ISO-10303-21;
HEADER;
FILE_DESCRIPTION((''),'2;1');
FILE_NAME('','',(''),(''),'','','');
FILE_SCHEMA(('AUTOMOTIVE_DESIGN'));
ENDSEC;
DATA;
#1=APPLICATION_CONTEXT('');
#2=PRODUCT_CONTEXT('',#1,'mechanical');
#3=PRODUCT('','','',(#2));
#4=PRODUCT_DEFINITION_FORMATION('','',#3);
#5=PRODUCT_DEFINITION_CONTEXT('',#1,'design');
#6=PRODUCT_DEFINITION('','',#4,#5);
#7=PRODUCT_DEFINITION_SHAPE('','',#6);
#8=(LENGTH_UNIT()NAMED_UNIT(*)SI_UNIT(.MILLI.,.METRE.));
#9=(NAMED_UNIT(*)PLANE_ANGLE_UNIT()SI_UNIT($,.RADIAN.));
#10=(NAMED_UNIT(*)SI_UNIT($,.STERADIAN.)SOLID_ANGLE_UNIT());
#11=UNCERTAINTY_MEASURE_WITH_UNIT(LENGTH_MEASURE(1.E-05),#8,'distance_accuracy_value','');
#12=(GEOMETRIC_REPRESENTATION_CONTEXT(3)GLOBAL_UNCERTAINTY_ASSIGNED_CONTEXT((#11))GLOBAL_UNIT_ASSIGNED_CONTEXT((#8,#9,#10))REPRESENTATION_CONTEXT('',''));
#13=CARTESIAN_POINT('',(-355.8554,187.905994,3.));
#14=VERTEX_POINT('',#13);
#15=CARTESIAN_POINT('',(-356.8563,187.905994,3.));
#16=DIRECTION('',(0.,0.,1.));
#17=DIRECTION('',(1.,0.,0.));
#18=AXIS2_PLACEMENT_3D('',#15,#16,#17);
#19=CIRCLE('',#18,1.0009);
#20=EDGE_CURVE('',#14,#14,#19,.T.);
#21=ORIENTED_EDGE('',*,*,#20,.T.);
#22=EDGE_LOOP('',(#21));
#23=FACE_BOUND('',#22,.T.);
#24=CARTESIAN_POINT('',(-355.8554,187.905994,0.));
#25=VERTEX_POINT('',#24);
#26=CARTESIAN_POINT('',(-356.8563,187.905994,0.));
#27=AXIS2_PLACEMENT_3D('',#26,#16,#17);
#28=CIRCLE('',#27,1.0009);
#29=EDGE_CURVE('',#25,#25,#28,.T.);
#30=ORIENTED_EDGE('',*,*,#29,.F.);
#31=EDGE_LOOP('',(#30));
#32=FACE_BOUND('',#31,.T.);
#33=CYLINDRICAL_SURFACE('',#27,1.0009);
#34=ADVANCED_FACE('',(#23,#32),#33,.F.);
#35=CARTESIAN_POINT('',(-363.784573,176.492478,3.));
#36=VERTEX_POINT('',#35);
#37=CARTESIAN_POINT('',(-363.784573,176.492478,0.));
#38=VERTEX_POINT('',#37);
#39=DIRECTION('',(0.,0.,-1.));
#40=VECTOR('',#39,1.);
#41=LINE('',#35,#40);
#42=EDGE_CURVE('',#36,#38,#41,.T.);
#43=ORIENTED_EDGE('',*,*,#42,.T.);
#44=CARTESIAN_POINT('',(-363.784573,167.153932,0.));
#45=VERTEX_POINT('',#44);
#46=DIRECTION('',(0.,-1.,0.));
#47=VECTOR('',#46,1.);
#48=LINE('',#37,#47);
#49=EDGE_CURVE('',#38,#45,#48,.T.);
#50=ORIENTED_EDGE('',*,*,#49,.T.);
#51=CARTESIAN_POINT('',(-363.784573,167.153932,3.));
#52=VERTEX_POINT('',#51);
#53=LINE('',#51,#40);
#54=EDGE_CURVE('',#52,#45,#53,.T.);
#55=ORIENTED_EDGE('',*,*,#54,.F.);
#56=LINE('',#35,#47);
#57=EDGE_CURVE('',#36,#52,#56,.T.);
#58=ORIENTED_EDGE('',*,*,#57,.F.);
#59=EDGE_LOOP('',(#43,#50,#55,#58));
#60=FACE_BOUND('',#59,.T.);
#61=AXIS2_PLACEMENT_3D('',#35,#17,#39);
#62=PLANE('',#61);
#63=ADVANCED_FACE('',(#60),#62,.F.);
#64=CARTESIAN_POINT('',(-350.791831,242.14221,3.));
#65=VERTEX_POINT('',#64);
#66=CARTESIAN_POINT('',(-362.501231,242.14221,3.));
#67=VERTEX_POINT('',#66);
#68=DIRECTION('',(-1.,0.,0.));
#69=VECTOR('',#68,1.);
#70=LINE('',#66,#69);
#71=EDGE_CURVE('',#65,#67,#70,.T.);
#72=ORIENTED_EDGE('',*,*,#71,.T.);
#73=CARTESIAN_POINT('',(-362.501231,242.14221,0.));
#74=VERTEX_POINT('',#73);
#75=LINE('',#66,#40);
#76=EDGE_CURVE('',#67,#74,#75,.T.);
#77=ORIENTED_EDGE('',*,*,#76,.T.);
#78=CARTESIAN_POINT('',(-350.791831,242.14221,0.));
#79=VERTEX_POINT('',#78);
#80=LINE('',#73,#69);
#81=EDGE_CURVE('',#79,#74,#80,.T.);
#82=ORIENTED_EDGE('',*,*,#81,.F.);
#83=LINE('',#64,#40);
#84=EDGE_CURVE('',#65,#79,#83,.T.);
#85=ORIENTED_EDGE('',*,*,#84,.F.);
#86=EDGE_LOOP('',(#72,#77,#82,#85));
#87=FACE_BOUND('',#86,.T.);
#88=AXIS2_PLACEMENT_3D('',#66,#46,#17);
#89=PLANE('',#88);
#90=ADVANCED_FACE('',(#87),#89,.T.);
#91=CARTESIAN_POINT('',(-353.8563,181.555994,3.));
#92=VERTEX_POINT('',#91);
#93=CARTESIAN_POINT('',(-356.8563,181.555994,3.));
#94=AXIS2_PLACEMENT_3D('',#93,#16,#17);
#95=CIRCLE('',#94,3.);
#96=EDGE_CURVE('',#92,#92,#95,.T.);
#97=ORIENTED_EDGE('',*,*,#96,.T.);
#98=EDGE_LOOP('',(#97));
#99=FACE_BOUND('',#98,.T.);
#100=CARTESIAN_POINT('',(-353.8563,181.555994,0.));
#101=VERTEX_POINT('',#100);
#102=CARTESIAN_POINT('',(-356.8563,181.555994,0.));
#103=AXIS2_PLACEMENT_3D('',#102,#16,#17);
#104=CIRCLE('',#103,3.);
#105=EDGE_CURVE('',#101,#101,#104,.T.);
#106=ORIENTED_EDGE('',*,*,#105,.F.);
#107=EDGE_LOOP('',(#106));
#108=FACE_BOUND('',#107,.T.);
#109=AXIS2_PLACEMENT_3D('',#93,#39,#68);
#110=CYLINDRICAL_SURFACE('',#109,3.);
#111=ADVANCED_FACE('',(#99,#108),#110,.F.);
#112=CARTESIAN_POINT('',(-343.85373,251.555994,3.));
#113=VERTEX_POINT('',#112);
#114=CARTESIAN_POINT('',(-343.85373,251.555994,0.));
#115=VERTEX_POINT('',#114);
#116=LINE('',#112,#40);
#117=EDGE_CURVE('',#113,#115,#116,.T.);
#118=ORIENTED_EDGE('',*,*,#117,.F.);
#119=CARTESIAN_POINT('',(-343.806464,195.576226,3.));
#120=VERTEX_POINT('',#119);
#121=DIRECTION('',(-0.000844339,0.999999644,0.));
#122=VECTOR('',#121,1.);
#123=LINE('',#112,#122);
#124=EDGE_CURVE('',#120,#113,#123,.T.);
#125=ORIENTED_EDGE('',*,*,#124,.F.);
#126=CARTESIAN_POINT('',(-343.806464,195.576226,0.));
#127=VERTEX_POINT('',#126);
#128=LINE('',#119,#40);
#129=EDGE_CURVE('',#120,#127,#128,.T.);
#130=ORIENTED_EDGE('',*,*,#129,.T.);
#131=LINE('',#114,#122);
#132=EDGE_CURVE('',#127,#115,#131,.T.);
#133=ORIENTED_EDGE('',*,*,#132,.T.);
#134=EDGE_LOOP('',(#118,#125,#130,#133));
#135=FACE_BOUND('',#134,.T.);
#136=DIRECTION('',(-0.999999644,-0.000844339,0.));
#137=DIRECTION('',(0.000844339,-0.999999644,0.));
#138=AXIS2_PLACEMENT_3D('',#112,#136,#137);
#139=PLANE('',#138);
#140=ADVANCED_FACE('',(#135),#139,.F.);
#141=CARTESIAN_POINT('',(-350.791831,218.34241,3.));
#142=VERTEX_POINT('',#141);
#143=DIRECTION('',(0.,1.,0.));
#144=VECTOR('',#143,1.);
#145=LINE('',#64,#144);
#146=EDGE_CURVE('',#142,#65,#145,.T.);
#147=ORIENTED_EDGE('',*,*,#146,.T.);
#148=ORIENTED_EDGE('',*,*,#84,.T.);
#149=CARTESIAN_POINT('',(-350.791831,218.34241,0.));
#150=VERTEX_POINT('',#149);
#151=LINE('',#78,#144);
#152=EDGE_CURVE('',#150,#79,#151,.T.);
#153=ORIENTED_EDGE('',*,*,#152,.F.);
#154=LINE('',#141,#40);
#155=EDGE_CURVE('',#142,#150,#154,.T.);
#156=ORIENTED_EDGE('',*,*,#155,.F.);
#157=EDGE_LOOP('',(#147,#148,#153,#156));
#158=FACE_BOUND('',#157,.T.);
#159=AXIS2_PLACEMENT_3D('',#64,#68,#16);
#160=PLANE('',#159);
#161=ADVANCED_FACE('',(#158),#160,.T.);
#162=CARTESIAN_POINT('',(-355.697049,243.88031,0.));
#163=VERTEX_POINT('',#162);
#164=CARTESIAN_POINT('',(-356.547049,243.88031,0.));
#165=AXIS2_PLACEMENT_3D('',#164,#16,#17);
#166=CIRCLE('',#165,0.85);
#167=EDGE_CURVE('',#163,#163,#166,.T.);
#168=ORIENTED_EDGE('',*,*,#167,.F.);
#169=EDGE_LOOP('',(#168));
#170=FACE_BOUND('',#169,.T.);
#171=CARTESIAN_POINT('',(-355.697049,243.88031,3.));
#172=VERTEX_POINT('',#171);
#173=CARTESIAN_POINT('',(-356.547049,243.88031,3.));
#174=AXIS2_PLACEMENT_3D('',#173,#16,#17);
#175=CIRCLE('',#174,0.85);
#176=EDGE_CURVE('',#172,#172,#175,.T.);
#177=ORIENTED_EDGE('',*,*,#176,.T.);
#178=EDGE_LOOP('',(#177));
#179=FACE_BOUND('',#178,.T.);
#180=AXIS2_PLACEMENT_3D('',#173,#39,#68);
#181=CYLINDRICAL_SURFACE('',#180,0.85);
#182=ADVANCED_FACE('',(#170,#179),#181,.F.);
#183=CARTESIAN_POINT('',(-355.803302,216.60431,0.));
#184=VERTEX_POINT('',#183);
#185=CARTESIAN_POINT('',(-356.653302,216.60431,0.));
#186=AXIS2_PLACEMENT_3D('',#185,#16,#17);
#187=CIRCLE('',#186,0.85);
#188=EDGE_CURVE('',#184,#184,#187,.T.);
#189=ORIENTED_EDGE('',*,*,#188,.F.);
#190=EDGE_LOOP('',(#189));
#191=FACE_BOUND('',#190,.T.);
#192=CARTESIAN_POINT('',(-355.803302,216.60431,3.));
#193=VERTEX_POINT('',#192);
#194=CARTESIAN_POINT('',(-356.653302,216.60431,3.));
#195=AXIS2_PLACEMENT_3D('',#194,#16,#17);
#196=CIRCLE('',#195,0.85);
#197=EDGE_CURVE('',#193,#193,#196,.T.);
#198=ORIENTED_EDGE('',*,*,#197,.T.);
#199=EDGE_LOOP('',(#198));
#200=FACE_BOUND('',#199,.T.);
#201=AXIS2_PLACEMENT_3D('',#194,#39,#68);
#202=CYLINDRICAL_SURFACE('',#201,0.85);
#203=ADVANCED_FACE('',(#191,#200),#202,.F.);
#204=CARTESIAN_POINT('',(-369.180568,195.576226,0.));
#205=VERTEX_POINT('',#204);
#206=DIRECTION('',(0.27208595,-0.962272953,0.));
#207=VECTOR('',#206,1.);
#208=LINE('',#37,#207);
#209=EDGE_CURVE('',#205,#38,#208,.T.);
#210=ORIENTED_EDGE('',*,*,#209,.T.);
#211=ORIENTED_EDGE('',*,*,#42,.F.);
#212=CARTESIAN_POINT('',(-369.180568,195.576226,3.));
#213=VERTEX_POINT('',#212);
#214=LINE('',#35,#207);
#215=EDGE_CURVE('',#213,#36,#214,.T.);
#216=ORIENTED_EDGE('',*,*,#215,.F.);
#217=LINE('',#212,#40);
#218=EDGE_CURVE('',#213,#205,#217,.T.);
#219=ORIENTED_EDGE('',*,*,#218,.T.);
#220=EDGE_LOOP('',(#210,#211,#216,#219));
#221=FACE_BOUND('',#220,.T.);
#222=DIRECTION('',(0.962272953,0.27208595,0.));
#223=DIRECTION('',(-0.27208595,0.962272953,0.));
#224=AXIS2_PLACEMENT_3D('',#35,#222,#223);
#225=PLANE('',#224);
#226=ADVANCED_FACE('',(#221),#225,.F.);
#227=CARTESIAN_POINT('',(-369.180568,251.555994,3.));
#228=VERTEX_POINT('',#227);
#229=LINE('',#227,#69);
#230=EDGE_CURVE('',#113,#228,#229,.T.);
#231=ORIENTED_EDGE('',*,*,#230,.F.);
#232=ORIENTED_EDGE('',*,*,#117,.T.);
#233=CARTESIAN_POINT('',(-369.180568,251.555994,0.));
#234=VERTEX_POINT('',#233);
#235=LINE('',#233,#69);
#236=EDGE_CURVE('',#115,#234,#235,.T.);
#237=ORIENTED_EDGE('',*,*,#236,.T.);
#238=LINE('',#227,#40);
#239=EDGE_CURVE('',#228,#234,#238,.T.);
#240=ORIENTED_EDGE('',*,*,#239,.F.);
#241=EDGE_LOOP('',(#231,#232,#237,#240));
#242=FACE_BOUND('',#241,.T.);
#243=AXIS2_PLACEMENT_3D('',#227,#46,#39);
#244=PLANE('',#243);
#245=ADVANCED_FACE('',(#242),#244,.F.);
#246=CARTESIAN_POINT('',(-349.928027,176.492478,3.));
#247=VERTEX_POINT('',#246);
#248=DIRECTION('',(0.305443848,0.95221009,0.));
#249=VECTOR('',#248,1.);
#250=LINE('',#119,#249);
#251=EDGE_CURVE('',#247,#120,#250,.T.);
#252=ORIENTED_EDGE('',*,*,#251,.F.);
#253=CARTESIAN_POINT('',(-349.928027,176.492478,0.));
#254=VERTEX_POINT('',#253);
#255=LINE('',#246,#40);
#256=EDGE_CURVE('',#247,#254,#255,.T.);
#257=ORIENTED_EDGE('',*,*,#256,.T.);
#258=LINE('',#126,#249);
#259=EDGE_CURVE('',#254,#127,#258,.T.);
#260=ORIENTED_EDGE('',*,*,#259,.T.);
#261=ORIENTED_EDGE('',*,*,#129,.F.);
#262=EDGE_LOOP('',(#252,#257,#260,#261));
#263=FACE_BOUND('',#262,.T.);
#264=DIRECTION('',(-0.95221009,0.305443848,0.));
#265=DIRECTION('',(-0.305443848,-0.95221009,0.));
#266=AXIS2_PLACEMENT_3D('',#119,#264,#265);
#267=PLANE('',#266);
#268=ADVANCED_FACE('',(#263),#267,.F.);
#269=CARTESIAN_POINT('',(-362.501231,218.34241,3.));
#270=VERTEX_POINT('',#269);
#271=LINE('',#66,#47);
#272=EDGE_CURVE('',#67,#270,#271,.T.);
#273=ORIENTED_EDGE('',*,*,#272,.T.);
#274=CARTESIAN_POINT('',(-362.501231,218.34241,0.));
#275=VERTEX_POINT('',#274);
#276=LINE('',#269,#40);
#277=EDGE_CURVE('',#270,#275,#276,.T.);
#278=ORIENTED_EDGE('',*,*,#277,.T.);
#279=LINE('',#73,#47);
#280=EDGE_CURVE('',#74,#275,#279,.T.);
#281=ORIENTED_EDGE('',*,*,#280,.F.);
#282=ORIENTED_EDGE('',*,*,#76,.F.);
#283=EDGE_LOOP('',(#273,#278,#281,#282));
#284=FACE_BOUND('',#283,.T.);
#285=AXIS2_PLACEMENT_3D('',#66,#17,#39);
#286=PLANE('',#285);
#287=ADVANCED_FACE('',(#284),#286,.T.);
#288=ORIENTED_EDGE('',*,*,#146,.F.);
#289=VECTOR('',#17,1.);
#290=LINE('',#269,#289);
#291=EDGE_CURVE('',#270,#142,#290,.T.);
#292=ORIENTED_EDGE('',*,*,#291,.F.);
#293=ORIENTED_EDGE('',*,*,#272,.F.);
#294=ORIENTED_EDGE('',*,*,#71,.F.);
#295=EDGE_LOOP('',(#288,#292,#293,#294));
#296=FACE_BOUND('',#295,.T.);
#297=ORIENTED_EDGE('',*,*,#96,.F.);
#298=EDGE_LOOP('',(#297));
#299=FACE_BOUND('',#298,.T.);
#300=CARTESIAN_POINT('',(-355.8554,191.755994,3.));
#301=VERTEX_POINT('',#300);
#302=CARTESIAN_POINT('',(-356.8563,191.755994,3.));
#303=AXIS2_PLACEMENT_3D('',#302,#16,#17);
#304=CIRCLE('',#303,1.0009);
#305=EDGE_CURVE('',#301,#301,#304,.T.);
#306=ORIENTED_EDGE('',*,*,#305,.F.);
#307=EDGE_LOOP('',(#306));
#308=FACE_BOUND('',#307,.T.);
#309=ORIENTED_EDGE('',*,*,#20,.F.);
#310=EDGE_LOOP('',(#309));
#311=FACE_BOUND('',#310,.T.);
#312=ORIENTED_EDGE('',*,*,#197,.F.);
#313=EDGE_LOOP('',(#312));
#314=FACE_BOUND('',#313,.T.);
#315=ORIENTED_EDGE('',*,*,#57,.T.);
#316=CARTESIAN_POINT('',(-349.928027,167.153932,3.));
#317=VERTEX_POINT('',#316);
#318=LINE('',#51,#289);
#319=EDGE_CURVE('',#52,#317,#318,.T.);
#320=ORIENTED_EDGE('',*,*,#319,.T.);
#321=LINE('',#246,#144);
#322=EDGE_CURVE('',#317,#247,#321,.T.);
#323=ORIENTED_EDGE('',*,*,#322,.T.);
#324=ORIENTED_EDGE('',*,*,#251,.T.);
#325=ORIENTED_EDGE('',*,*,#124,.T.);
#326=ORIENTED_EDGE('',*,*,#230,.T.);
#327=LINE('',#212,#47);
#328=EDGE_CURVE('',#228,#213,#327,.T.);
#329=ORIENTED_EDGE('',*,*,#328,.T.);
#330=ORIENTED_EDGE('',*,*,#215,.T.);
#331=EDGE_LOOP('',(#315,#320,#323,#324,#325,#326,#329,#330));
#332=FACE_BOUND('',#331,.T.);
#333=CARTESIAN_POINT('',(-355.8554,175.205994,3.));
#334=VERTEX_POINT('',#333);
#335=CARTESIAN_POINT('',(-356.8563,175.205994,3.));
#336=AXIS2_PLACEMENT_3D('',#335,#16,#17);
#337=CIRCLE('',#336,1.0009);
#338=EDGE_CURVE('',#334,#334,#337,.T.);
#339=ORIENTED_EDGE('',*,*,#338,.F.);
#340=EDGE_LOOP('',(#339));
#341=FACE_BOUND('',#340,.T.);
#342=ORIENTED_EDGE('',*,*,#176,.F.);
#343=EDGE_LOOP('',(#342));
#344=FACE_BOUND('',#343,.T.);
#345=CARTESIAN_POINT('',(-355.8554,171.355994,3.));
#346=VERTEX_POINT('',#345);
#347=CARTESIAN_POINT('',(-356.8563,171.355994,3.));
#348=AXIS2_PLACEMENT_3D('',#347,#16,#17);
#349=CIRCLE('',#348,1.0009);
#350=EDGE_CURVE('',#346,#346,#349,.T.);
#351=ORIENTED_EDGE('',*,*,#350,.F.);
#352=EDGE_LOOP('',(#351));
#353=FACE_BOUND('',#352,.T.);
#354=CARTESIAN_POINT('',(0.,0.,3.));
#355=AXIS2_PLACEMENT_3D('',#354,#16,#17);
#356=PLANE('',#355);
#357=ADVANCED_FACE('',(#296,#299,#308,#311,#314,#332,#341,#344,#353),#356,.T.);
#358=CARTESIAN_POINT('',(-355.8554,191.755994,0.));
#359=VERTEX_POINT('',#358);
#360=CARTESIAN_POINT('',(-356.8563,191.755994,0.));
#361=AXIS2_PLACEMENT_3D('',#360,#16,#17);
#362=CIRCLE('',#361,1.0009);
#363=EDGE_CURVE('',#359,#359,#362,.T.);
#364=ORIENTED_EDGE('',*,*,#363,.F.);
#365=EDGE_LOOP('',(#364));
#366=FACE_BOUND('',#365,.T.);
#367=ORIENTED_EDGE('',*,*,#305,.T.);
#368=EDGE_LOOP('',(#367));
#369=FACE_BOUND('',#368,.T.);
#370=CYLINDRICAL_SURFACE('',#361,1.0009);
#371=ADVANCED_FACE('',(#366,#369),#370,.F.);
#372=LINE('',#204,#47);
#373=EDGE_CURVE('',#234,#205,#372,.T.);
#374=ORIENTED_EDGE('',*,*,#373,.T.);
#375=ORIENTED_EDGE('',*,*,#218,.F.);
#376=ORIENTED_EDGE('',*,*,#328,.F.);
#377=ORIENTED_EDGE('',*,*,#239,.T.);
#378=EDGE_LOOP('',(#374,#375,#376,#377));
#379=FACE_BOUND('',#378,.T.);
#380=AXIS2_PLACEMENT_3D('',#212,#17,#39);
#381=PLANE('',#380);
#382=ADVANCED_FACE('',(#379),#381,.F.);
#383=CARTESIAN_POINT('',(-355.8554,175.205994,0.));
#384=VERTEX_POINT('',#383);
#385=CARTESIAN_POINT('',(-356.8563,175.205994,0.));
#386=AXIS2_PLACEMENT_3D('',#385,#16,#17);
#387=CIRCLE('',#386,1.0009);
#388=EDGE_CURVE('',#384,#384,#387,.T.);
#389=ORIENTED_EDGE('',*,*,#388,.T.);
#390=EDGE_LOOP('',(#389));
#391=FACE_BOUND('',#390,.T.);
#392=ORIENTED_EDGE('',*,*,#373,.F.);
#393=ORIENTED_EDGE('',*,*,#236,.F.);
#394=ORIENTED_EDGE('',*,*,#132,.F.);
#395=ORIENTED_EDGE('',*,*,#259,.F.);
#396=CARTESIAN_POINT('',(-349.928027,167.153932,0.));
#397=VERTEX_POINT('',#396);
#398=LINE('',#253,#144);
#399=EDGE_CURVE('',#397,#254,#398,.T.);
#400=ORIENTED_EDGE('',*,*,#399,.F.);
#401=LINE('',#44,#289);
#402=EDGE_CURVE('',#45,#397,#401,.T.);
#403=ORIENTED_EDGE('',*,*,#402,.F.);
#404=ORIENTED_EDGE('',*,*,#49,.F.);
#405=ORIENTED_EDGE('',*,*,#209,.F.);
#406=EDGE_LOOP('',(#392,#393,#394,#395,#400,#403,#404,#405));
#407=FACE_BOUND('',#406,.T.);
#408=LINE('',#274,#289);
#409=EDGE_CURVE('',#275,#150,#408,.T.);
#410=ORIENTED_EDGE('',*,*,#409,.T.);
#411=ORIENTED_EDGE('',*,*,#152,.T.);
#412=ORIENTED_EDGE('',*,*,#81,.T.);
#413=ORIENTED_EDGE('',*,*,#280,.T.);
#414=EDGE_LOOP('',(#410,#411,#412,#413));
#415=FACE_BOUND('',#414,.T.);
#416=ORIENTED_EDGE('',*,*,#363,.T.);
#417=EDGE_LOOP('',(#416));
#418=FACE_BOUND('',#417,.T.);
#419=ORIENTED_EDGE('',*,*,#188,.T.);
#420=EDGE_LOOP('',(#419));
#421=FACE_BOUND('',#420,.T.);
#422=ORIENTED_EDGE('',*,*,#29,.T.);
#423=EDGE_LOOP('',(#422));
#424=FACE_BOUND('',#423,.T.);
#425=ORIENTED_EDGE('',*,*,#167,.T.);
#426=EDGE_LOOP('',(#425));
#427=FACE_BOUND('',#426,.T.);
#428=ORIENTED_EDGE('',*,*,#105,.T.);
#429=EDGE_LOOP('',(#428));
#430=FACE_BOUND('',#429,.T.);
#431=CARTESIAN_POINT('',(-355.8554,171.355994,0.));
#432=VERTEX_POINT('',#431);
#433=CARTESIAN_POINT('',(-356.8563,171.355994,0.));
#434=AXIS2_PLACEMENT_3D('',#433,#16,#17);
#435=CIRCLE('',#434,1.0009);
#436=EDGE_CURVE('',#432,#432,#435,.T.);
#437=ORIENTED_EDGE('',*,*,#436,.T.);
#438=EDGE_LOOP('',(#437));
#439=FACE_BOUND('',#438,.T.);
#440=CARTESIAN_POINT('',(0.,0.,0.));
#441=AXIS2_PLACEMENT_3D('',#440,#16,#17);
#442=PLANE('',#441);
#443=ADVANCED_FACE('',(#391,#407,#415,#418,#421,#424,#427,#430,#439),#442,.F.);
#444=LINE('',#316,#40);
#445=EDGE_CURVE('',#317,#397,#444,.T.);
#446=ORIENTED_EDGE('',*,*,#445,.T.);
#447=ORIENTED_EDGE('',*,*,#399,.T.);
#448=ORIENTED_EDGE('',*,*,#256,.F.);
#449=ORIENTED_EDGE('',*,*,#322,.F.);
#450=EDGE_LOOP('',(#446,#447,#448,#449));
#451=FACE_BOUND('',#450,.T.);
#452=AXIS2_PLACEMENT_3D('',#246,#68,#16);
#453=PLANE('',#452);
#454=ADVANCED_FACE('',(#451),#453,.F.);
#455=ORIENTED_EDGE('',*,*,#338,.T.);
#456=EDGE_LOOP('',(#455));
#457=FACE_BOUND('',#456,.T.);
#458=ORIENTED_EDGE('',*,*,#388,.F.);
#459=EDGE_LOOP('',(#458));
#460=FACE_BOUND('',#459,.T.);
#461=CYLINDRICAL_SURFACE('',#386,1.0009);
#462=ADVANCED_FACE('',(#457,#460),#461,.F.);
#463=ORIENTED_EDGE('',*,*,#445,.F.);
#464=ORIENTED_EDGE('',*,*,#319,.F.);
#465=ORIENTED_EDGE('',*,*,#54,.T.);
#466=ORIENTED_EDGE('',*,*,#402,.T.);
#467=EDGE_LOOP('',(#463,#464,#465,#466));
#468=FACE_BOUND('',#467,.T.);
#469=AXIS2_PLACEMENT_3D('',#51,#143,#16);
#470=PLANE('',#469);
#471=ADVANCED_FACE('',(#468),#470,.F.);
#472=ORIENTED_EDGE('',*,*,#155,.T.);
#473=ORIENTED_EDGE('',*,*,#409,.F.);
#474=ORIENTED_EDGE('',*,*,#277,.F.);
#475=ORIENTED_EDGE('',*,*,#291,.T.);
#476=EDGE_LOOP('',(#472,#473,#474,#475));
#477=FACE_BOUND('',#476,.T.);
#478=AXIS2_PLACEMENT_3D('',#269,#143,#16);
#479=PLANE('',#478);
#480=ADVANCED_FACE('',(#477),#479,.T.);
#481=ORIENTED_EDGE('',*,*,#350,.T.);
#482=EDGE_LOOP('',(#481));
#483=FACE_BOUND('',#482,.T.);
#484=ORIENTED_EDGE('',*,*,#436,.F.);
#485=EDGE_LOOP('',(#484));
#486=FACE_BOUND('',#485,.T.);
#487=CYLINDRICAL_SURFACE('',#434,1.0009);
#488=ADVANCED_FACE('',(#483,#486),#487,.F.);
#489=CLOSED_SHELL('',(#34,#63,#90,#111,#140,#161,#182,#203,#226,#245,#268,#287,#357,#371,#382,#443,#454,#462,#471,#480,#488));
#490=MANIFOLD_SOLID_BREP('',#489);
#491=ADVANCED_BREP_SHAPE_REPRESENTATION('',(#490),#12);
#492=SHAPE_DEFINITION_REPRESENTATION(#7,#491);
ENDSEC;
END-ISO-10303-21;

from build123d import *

# Parameters (mm, degrees)
SKETCH1_R           = 0.85
SKETCH1_R_2         = 3
SKETCH1_W           = 11.7094
SKETCH1_H           = 23.7998
BOSS_EXTRUDE3_DEPTH = 3
SKETCH2_R           = 1.0009
CUT_EXTRUDE1_DEPTH  = 447.747926613


with BuildPart() as part:
    # Sketch1 → Boss-Extrude3 (new body)
    with BuildSketch(Plane.XY):
        Polygon((-363.784573438, 176.492478394), (-369.180567886, 195.576225703), (-369.180567886, 251.55599422), (-343.853730339, 251.55599422), (-343.806464443, 195.576225703), (-349.928026562, 176.492478394), (-349.928026562, 167.153932289), (-363.784573438, 167.153932289), align=None)
        with Locations((-356.653301567, 216.60430982)):
            Circle(SKETCH1_R, mode=Mode.SUBTRACT)
        with Locations((-356.547049339, 243.88030982)):
            Circle(SKETCH1_R, mode=Mode.SUBTRACT)
        with Locations((-356.8563, 181.55599422)):
            Circle(SKETCH1_R_2, mode=Mode.SUBTRACT)
        with Locations((-356.646530889, 230.24230982)):
            Rectangle(SKETCH1_W, SKETCH1_H, mode=Mode.SUBTRACT)
    extrude(amount=BOSS_EXTRUDE3_DEPTH)

    # Sketch2 → Cut-Extrude1 (cut, through all)
    with BuildSketch(Plane.XY.offset(3)):
        with Locations((-356.8563, 171.35599422)):
            Circle(SKETCH2_R)
        with Locations((-356.8563, 175.20599422)):
            Circle(SKETCH2_R)
        with Locations((-356.8563, 187.90599422)):
            Circle(SKETCH2_R)
        with Locations((-356.8563, 191.75599422)):
            Circle(SKETCH2_R)
    extrude(amount=-CUT_EXTRUDE1_DEPTH, mode=Mode.SUBTRACT)


solid = part.part
